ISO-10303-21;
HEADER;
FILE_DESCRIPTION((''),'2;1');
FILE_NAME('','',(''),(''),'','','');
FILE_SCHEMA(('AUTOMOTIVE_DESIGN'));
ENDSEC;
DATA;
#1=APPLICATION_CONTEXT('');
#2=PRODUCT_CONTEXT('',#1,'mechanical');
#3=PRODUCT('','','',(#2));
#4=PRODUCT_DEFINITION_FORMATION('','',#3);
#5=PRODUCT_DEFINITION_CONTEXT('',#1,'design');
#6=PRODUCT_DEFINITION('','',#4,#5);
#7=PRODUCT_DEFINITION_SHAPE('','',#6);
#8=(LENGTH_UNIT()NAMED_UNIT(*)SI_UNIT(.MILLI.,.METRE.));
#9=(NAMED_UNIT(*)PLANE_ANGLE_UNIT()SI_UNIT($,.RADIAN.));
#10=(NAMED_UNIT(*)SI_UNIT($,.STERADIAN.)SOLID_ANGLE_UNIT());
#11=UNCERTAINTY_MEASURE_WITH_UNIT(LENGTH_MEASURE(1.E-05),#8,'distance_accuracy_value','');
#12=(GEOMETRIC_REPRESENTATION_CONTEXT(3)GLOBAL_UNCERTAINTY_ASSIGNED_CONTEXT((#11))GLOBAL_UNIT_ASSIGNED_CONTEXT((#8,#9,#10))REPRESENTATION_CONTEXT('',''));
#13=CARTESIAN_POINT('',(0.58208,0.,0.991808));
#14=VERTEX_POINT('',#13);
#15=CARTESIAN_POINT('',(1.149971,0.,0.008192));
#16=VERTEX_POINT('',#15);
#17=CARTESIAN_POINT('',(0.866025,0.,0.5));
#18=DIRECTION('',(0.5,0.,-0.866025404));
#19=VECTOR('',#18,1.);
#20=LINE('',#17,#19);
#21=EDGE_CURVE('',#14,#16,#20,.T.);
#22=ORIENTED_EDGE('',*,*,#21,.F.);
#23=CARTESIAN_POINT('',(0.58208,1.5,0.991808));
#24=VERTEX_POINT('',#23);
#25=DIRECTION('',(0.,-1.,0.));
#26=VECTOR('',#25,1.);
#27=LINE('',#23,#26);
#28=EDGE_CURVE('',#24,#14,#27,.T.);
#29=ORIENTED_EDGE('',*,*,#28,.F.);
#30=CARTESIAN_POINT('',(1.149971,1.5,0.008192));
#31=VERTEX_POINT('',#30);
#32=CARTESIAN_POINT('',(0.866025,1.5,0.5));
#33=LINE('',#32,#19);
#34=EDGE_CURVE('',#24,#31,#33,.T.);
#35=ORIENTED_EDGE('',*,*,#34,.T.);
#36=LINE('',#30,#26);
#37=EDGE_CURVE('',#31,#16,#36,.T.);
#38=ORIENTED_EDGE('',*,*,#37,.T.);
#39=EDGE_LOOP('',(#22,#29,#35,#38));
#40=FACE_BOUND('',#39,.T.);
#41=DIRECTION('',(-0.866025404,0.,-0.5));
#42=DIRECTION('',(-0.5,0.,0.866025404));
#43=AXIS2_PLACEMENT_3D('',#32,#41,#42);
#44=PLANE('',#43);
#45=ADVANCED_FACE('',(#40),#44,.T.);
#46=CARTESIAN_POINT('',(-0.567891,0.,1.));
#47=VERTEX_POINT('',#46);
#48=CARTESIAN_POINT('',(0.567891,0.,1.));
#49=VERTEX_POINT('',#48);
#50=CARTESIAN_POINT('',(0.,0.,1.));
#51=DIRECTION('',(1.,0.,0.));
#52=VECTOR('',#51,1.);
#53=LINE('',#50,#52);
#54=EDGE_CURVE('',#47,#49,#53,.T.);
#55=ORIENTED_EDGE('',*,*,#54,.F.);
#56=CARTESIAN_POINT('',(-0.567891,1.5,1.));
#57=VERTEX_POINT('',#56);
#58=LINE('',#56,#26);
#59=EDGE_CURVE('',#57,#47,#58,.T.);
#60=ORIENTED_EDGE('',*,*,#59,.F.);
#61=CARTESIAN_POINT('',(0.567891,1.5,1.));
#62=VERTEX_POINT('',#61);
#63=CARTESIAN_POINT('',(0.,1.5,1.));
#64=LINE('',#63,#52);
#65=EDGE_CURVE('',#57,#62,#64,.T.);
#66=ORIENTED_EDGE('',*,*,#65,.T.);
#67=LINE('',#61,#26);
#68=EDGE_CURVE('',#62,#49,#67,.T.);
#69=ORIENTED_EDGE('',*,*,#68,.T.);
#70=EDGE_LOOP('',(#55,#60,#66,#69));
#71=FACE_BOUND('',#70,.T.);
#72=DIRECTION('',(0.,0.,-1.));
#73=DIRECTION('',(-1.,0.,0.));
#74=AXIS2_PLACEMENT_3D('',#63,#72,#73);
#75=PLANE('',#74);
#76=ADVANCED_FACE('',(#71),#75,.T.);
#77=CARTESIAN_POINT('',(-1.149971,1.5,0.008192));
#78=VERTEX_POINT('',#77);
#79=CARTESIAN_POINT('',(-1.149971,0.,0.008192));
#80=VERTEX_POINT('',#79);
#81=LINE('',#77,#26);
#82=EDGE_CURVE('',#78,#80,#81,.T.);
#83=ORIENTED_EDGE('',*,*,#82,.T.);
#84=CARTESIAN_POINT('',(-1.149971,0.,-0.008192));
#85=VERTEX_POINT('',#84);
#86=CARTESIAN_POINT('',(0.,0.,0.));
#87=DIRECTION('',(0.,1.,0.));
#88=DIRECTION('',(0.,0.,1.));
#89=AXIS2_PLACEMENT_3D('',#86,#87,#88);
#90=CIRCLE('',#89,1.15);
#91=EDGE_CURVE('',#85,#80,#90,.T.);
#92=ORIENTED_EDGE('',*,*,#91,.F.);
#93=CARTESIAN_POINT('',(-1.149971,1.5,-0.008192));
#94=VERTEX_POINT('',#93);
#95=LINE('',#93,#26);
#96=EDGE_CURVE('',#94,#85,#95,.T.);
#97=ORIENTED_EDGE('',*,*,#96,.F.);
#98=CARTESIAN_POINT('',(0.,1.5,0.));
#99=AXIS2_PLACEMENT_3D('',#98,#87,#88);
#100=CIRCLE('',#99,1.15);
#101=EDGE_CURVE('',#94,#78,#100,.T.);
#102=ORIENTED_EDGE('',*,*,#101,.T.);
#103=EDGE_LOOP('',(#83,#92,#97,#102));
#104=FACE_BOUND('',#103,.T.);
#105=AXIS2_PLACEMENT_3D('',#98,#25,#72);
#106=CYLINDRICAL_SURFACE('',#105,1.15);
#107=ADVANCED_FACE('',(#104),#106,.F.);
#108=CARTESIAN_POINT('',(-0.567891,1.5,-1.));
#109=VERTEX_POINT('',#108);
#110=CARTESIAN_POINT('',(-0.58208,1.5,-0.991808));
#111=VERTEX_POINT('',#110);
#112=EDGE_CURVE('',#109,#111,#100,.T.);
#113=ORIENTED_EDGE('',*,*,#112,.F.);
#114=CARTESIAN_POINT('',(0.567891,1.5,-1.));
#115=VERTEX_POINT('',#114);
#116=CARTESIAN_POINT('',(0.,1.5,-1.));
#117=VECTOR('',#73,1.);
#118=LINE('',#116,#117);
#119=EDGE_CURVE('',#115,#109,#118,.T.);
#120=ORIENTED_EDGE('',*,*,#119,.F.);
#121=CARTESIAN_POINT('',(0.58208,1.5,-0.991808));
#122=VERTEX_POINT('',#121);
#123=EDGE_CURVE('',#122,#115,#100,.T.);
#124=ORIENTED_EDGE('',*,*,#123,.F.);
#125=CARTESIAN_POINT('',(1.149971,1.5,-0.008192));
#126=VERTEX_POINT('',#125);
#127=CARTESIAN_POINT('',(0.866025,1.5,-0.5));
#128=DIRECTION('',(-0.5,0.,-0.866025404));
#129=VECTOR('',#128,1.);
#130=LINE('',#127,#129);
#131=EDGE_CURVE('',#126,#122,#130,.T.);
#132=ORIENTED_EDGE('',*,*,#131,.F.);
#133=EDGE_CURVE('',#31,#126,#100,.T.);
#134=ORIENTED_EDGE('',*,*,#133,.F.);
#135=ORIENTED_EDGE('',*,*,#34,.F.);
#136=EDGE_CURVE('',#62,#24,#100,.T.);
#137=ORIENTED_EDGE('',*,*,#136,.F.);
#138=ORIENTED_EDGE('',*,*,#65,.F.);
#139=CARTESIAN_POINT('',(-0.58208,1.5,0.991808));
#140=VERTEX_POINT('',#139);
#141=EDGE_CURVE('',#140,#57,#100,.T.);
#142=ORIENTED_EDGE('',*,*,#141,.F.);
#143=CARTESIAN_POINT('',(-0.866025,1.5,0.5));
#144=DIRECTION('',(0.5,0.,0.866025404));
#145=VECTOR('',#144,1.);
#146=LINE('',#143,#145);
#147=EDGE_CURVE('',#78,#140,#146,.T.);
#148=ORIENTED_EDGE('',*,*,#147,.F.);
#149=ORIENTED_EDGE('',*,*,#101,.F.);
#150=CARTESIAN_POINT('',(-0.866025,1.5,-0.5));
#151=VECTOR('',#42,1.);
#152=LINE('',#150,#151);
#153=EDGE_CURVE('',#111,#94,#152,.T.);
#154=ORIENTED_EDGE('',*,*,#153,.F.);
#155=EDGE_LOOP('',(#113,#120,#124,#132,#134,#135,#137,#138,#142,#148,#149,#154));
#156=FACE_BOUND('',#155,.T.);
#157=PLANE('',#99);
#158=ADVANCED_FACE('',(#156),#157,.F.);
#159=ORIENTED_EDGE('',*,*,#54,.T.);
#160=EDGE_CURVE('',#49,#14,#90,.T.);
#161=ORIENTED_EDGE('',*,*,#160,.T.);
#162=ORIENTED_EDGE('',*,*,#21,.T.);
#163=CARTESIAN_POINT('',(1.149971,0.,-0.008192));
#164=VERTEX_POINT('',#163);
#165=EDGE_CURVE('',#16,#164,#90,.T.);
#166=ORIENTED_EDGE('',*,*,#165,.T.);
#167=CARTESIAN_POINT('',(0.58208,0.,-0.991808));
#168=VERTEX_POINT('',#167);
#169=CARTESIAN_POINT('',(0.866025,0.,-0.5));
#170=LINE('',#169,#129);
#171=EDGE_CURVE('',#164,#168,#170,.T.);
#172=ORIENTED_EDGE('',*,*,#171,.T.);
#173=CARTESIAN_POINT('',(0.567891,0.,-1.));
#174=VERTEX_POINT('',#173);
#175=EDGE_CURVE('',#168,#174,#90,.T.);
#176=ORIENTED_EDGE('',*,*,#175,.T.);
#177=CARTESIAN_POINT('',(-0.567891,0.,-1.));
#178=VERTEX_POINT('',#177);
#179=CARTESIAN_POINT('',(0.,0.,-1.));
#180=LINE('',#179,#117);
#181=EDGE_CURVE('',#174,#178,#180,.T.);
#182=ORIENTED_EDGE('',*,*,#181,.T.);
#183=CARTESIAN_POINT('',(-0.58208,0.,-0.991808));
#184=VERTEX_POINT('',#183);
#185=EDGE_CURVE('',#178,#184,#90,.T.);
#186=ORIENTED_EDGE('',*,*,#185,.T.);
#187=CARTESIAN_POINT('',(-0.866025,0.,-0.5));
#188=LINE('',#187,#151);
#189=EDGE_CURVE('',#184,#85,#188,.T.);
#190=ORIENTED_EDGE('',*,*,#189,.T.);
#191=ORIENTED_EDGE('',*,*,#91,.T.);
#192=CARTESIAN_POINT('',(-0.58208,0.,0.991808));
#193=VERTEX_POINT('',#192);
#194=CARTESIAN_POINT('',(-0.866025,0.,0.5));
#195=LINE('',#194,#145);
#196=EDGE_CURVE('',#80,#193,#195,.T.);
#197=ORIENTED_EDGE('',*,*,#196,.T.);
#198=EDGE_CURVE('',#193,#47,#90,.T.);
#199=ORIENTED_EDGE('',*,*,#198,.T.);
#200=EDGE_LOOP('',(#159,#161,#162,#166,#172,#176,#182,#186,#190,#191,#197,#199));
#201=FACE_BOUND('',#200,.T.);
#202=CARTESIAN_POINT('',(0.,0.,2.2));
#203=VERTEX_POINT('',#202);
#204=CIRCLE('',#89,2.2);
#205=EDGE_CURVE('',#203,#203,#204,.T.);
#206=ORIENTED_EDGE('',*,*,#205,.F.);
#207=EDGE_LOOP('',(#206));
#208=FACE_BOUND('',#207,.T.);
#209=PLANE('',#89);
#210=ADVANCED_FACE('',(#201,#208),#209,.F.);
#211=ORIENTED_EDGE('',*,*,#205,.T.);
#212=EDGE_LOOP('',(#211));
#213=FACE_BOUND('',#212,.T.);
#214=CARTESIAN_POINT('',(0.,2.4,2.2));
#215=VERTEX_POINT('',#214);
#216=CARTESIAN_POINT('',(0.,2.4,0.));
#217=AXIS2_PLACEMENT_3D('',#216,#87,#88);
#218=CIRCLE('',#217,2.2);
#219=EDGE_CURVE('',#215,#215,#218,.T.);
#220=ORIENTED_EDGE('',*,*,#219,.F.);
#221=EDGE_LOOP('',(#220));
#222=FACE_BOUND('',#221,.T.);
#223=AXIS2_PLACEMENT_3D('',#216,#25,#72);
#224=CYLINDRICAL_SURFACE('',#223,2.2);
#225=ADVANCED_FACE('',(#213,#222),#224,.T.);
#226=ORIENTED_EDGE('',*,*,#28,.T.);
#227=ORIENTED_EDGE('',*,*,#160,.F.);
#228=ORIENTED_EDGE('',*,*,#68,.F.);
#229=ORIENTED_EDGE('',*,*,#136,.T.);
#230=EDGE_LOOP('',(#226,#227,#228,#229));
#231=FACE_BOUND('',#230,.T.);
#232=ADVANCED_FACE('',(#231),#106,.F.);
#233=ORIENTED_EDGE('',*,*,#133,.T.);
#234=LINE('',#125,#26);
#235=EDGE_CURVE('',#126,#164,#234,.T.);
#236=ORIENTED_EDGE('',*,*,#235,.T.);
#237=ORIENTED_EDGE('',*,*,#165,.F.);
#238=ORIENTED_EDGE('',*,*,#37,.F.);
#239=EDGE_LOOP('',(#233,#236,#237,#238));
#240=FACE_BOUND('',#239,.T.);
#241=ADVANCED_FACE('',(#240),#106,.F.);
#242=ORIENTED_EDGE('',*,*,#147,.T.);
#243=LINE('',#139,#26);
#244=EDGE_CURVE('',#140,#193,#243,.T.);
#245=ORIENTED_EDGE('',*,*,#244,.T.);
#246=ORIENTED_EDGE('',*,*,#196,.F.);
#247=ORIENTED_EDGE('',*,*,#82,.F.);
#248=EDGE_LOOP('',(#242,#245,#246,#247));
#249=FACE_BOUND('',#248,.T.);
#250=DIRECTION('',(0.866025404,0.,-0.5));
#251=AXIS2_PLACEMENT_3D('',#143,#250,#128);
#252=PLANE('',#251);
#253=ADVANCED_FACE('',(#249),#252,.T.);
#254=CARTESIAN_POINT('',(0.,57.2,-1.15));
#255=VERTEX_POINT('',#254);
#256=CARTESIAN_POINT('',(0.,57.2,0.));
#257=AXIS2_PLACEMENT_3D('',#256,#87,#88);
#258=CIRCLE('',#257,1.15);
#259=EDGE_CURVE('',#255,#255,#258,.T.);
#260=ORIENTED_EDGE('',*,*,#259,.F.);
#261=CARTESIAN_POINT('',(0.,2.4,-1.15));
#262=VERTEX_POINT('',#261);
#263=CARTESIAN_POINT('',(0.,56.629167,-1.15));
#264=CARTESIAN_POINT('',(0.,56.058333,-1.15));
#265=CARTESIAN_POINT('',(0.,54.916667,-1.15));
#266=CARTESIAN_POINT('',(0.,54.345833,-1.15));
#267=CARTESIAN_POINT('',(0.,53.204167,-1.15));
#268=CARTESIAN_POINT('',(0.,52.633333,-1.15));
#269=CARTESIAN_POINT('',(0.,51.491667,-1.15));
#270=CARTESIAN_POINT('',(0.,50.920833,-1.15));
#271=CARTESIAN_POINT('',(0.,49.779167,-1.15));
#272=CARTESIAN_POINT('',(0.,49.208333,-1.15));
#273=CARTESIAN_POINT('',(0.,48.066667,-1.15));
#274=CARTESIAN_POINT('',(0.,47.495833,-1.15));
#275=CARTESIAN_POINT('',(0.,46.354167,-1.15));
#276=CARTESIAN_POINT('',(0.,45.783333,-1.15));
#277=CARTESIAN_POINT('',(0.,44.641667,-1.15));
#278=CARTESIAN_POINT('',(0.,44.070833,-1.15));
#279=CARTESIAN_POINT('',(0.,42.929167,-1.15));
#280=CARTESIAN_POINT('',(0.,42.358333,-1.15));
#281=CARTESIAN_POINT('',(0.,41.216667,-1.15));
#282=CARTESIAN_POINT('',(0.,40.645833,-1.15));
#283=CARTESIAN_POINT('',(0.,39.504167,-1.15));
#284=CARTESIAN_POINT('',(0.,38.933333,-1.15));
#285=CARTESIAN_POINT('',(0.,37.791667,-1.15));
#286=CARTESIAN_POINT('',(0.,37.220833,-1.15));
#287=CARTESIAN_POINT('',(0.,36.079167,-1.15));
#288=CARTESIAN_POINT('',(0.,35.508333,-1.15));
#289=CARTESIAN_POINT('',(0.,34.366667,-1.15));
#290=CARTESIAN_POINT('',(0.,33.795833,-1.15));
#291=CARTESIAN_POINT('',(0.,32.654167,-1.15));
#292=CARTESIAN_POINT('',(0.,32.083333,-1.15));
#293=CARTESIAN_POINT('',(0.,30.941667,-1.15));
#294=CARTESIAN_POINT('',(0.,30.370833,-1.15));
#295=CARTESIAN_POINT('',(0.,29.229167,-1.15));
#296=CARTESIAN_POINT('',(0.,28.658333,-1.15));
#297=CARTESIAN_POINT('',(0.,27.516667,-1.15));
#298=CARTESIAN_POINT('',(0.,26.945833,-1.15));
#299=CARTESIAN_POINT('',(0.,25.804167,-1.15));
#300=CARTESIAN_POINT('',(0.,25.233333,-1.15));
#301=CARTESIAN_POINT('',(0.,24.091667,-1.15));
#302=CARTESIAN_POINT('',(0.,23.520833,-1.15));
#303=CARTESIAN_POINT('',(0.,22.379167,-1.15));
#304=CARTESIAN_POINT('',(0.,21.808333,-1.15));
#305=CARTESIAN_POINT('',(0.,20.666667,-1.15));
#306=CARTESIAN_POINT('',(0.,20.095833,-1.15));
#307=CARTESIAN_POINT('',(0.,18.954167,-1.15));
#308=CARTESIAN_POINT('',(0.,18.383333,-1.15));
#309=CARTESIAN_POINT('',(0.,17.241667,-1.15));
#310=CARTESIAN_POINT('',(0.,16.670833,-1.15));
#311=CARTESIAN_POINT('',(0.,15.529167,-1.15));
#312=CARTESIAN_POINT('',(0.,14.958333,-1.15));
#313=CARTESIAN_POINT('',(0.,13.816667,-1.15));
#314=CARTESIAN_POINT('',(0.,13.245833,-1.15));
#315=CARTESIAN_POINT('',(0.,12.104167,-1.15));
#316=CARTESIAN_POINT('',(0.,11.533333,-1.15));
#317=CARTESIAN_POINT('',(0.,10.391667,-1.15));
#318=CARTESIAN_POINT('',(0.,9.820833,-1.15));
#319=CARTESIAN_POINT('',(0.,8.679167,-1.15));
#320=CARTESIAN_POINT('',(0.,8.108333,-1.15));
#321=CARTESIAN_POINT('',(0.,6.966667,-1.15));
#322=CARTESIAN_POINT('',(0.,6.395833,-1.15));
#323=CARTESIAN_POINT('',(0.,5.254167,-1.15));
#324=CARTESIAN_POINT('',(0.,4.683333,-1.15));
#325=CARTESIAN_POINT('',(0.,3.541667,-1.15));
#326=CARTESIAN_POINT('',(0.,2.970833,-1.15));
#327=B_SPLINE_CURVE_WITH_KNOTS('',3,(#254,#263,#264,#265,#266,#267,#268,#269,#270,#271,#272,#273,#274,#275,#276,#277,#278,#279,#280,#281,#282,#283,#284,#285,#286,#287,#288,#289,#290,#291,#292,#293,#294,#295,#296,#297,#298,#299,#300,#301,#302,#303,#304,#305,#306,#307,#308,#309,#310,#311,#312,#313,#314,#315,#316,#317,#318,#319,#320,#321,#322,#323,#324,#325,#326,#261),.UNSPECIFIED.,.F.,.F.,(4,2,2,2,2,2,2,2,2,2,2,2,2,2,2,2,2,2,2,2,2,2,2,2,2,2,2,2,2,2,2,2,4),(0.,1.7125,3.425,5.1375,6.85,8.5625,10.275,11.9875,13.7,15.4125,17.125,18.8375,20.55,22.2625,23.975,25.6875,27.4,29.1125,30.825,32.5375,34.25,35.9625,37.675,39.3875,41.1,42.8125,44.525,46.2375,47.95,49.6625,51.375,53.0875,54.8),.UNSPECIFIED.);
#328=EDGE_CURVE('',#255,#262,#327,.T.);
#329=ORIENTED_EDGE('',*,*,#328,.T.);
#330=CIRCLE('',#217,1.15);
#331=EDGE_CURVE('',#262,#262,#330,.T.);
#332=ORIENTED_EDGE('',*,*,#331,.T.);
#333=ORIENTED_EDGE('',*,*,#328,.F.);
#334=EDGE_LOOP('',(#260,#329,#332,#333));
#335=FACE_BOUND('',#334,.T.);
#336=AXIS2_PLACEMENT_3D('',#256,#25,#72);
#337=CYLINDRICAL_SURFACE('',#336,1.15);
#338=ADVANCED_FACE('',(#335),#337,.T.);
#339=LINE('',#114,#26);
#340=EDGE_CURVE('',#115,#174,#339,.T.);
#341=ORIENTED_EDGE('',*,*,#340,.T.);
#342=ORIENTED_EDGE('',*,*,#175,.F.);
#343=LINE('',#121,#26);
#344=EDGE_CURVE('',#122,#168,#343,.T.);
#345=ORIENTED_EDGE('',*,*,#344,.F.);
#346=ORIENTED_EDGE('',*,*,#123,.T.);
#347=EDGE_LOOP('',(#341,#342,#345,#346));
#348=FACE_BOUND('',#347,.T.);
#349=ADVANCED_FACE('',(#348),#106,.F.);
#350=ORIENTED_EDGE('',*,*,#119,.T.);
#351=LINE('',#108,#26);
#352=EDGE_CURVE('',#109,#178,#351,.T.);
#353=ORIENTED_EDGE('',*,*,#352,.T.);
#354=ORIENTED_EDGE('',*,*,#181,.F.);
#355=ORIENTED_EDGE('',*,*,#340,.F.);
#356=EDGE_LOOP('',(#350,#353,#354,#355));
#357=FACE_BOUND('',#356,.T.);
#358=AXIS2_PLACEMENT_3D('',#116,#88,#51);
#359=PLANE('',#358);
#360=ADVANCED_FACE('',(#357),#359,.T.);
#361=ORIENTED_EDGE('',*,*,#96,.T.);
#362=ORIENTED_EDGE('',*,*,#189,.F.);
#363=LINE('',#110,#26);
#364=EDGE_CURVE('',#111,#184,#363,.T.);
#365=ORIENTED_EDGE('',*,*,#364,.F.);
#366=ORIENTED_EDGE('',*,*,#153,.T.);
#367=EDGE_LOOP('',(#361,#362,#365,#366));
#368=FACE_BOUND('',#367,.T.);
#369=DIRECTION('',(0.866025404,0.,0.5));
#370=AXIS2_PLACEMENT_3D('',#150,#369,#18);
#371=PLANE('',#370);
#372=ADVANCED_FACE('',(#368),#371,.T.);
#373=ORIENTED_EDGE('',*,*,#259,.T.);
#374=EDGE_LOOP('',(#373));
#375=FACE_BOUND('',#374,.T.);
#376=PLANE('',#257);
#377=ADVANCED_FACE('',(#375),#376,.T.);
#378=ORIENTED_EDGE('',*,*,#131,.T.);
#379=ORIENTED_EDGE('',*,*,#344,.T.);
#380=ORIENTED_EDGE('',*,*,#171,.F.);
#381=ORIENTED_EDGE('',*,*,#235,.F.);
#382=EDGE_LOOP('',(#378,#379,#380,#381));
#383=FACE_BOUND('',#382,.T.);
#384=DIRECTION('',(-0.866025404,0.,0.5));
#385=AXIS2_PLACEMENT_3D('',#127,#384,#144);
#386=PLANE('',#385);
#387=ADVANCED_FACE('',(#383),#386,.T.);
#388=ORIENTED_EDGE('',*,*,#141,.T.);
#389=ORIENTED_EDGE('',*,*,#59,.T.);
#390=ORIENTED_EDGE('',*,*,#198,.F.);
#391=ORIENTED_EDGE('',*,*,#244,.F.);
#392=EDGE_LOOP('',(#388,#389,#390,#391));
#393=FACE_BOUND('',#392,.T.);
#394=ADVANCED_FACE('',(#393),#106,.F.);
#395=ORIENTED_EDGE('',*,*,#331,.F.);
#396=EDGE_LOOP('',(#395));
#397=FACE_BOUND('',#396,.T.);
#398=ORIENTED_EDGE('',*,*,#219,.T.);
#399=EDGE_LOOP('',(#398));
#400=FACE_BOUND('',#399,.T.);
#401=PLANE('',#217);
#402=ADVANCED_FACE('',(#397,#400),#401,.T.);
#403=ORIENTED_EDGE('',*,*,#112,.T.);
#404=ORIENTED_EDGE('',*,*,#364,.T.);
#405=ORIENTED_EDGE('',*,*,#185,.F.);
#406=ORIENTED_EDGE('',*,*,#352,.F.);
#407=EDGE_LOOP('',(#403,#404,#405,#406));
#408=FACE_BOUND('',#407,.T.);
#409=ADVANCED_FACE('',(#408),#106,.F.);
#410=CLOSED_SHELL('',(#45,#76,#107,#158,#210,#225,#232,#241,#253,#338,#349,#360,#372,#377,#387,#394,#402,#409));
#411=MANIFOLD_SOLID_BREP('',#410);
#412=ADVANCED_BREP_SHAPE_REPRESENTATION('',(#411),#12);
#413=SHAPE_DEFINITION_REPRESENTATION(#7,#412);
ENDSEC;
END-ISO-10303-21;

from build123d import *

# Parameters (mm, degrees)
SKETCH_1_R          = 2.2
EXTRUDE_1_DEPTH     = 2.4
EXTRUDE_START       = 2.4
SKETCH_1_4_R        = 1.15
EXTRUDE_2_DEPTH     = 54.8
CUT_EXTRUDE_1_DEPTH = 1.5


with BuildPart() as part:
    # 草图1 → 凸台-拉伸1 (new body)
    with BuildSketch(Plane(origin=(0, 0, 0), x_dir=(1, 0, 0), z_dir=(0, 1, 0))):
        with Locations(Location((0, 0, 0), (0, 0, 270))):
            Circle(SKETCH_1_R)
    extrude(amount=EXTRUDE_1_DEPTH)

    # 草图1<4> → 凸台-拉伸2 (add)
    with BuildSketch(Plane(origin=(0, 0, 0), x_dir=(1, 0, 0), z_dir=(0, 1, 0)).offset(EXTRUDE_START)):
        with Locations(Location((0, 0, 0), (0, 0, 90))):
            Circle(SKETCH_1_4_R)
    extrude(amount=EXTRUDE_2_DEPTH)

    # 草图1<3> → 切除-拉伸1 (cut)
    with BuildSketch(Plane(origin=(0, 0, 0), x_dir=(1, 0, 0), z_dir=(0, 1, 0))):
        with BuildLine():
            ThreePointArc((1.15, 0), (1.149992705, 0.004096081), (1.149970821, 0.008192111))
            Line((1.149970821, 0.008192111), (0.582079986, 0.991807889))
            ThreePointArc((0.582079986, 0.991807889), (0.575, 0.995929214), (0.567890835, 1))
            Line((0.567890835, 1), (-0.567890835, 1))
            ThreePointArc((-0.567890835, 1), (-0.575, 0.995929214), (-0.582079986, 0.991807889))
            Line((-0.582079986, 0.991807889), (-1.149970821, 0.008192111))
            ThreePointArc((-1.149970821, 0.008192111), (-1.15, 0), (-1.149970821, -0.008192111))
            Line((-1.149970821, -0.008192111), (-0.582079986, -0.991807889))
            ThreePointArc((-0.582079986, -0.991807889), (-0.575, -0.995929214), (-0.567890835, -1))
            Line((-0.567890835, -1), (0.567890835, -1))
            ThreePointArc((0.567890835, -1), (0.575, -0.995929214), (0.582079986, -0.991807889))
            Line((0.582079986, -0.991807889), (1.149970821, -0.008192111))
            ThreePointArc((1.149970821, -0.008192111), (1.149992705, -0.004096081), (1.15, 0))
        make_face()
    extrude(amount=CUT_EXTRUDE_1_DEPTH, mode=Mode.SUBTRACT)


solid = part.part
